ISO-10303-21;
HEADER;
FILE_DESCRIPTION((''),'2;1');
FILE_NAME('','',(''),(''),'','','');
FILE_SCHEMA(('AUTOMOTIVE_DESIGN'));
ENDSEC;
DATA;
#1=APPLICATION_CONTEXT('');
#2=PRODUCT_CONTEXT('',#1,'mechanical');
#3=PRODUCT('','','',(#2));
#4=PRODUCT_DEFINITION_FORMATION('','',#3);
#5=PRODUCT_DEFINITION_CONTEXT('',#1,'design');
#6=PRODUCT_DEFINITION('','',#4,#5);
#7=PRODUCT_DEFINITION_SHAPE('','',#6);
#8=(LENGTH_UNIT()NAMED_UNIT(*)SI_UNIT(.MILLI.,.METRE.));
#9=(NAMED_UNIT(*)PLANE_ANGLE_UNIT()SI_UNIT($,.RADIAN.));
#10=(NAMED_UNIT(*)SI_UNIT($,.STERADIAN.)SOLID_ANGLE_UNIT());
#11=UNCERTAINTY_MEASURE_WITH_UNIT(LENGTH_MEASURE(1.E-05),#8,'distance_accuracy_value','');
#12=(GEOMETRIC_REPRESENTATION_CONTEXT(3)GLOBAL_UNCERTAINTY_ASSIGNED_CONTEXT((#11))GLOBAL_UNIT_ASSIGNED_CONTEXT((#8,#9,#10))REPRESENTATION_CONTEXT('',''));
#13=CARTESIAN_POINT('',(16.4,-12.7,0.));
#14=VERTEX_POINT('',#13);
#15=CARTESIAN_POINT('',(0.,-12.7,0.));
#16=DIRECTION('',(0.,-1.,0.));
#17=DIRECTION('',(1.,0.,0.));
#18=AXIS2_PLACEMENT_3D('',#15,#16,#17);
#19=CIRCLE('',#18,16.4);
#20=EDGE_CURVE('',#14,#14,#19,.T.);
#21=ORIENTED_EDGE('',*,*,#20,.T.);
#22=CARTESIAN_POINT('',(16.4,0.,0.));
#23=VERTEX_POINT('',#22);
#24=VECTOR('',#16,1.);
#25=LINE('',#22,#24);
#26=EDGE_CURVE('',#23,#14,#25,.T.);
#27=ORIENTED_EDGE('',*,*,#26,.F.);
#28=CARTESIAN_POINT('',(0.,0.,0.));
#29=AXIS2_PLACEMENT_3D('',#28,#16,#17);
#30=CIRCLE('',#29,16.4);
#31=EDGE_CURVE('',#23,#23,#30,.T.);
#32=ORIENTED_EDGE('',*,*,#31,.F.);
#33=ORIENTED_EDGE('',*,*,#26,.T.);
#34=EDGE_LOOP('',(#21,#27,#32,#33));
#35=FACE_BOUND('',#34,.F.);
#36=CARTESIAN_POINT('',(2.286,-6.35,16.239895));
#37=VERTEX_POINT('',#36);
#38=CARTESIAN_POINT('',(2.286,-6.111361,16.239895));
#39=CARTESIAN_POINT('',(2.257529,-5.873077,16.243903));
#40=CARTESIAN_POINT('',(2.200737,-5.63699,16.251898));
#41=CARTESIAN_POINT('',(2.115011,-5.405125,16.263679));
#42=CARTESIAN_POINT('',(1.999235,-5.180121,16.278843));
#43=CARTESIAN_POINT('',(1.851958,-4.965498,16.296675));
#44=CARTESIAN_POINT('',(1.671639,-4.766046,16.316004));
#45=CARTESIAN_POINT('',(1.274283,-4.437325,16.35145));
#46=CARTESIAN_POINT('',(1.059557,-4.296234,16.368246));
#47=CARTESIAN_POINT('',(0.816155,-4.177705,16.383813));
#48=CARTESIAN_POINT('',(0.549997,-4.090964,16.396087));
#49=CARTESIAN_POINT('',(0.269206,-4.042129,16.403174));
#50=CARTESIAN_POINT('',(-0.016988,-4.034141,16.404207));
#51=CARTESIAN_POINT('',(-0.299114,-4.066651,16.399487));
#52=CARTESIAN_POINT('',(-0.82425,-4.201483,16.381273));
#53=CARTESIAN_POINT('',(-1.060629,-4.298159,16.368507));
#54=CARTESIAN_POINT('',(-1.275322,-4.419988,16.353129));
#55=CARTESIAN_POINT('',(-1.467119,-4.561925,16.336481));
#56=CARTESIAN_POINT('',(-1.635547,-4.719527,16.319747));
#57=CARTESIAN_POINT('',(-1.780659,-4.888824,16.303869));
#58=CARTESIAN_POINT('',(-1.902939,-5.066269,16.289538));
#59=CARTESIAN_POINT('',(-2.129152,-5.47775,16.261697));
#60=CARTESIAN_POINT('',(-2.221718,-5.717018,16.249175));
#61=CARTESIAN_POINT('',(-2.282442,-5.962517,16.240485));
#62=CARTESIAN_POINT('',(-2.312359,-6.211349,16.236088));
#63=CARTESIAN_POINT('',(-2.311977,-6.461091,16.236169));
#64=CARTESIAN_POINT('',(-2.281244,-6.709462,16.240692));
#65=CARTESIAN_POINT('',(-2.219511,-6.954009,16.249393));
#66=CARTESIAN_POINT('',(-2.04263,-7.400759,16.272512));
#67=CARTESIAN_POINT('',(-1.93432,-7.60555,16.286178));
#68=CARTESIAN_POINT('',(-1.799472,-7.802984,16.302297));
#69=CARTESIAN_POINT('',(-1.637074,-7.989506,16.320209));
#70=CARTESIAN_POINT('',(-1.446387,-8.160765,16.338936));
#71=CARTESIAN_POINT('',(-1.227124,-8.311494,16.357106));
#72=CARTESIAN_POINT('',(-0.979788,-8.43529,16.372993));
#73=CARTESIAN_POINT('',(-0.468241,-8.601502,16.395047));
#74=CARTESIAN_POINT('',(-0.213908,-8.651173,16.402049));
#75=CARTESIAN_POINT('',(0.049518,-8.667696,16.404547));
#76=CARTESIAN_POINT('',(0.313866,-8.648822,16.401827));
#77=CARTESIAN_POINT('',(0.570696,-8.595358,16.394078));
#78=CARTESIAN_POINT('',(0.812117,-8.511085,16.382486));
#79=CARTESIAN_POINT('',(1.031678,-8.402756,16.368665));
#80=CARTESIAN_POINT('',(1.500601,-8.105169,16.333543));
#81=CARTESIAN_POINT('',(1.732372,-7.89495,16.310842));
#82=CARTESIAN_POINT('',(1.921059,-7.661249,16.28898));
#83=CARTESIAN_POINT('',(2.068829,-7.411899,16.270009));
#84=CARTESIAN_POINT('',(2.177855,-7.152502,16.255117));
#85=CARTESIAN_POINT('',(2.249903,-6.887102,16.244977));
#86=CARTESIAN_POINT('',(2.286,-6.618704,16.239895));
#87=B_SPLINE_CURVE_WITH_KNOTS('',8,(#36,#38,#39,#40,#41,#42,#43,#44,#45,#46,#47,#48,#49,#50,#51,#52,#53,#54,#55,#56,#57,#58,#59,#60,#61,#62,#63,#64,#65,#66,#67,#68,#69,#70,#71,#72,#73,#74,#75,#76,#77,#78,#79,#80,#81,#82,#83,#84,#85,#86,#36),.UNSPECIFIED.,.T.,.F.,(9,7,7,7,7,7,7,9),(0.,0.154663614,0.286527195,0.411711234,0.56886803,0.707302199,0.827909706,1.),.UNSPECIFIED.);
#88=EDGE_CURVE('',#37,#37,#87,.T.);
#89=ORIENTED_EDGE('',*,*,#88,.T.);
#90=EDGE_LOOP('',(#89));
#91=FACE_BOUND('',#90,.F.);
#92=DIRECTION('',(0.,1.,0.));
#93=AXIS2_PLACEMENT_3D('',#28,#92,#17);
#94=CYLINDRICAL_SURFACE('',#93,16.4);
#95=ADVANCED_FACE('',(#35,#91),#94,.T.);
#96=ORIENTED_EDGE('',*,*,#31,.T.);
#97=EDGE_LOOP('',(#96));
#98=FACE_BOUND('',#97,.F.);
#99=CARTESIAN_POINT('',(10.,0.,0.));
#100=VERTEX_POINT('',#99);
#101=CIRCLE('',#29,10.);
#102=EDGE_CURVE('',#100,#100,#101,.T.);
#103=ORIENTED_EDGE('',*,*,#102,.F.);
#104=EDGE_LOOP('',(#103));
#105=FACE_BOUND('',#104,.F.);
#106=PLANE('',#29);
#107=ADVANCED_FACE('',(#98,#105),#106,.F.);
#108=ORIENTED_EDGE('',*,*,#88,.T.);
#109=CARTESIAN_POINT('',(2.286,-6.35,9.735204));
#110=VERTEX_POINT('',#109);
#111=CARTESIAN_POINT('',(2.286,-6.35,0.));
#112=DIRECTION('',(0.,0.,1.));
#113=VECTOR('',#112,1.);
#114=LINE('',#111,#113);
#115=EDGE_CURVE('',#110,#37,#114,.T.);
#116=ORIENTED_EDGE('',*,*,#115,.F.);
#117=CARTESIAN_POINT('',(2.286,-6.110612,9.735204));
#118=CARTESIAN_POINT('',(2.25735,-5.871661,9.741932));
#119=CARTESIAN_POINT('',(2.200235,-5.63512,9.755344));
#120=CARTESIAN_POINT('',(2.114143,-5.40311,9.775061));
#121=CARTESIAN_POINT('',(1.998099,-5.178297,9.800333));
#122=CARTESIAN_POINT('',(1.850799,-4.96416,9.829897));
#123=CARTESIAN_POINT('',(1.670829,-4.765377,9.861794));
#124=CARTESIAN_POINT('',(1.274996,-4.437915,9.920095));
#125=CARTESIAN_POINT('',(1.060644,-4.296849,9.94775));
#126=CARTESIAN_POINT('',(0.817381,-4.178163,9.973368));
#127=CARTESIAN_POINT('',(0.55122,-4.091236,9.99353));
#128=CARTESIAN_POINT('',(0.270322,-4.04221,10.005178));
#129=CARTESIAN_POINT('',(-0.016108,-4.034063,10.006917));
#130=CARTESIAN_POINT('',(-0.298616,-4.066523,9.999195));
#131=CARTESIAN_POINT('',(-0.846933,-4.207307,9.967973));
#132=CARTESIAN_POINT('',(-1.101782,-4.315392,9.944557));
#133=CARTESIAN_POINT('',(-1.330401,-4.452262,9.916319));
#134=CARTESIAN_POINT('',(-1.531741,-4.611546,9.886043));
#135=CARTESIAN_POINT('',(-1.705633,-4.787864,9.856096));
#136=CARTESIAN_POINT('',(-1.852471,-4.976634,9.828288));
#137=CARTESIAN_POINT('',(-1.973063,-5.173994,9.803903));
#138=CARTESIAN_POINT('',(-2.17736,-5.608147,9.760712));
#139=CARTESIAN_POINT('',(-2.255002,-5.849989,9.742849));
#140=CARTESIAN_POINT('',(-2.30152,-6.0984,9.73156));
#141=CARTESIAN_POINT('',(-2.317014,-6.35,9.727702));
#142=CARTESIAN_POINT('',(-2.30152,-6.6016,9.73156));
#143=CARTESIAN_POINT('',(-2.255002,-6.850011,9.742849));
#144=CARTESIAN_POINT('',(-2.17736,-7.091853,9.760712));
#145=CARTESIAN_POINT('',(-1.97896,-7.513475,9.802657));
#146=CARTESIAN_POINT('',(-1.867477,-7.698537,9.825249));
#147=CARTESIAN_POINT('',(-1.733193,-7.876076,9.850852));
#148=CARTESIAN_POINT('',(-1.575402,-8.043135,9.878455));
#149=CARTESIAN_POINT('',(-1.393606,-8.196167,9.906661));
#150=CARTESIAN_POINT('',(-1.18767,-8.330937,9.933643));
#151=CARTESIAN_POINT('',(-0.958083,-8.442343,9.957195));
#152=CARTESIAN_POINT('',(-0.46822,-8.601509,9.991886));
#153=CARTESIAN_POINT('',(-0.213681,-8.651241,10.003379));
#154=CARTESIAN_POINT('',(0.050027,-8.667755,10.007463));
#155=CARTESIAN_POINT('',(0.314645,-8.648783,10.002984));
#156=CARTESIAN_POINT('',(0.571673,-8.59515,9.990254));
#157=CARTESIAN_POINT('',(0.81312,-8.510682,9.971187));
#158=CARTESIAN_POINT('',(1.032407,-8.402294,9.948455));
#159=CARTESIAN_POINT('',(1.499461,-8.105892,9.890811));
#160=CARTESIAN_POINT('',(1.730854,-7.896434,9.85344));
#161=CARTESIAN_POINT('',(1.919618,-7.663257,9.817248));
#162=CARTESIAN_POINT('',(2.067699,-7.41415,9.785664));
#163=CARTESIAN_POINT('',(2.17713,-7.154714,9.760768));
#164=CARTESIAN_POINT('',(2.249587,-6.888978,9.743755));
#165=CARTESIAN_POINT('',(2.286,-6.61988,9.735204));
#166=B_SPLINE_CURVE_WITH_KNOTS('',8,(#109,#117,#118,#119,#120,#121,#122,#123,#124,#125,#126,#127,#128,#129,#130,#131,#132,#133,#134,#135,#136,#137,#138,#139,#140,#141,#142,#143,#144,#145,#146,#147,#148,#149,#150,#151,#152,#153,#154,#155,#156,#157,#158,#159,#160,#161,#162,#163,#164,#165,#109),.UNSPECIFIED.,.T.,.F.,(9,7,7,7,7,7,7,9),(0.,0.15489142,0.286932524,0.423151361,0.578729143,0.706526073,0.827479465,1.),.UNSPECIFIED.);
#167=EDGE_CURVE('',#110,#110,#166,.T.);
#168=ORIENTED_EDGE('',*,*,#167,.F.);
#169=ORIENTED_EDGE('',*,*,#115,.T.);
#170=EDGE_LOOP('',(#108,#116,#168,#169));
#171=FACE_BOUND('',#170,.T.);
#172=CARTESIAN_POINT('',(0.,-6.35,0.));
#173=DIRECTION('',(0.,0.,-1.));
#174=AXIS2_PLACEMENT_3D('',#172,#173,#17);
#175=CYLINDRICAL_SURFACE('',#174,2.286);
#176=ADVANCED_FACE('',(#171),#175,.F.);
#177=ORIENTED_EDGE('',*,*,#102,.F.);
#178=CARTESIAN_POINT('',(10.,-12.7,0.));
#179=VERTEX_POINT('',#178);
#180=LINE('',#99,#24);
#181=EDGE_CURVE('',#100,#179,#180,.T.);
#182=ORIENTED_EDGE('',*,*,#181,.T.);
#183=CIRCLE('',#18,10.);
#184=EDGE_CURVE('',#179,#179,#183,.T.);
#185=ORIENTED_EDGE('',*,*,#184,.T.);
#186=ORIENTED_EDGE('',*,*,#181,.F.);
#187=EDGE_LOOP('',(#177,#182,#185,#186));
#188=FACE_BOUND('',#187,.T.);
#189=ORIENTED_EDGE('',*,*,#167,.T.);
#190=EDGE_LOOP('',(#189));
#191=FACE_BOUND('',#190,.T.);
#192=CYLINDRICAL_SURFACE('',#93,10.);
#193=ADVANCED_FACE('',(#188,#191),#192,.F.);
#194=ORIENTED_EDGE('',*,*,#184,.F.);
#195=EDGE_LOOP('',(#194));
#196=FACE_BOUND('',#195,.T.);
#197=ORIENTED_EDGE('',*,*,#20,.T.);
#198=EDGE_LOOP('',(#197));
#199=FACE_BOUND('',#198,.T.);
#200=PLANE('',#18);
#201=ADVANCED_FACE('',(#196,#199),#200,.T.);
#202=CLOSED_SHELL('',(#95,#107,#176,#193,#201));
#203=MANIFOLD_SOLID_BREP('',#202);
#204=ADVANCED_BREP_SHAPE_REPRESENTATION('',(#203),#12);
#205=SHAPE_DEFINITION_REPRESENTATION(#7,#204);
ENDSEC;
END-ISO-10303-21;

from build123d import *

# Parameters (mm, degrees)
F0_R     = 16.4
F0_R_2   = 10
F1_DEPTH = 12.7
F2_R     = 2.286
F3_DEPTH = 25.4


with BuildPart() as f1:
    # F0 (on Front) → F1 (new body)
    with BuildSketch(Plane.XZ):
        Circle(F0_R)
        Circle(F0_R_2, mode=Mode.SUBTRACT)
    extrude(amount=F1_DEPTH)

    # F2 (on Top) → F3 (cut)
    with BuildSketch(Plane.XY):
        with Locations((0, -6.35)):
            Circle(F2_R)
    extrude(amount=F3_DEPTH, mode=Mode.SUBTRACT)


solid = f1.part
